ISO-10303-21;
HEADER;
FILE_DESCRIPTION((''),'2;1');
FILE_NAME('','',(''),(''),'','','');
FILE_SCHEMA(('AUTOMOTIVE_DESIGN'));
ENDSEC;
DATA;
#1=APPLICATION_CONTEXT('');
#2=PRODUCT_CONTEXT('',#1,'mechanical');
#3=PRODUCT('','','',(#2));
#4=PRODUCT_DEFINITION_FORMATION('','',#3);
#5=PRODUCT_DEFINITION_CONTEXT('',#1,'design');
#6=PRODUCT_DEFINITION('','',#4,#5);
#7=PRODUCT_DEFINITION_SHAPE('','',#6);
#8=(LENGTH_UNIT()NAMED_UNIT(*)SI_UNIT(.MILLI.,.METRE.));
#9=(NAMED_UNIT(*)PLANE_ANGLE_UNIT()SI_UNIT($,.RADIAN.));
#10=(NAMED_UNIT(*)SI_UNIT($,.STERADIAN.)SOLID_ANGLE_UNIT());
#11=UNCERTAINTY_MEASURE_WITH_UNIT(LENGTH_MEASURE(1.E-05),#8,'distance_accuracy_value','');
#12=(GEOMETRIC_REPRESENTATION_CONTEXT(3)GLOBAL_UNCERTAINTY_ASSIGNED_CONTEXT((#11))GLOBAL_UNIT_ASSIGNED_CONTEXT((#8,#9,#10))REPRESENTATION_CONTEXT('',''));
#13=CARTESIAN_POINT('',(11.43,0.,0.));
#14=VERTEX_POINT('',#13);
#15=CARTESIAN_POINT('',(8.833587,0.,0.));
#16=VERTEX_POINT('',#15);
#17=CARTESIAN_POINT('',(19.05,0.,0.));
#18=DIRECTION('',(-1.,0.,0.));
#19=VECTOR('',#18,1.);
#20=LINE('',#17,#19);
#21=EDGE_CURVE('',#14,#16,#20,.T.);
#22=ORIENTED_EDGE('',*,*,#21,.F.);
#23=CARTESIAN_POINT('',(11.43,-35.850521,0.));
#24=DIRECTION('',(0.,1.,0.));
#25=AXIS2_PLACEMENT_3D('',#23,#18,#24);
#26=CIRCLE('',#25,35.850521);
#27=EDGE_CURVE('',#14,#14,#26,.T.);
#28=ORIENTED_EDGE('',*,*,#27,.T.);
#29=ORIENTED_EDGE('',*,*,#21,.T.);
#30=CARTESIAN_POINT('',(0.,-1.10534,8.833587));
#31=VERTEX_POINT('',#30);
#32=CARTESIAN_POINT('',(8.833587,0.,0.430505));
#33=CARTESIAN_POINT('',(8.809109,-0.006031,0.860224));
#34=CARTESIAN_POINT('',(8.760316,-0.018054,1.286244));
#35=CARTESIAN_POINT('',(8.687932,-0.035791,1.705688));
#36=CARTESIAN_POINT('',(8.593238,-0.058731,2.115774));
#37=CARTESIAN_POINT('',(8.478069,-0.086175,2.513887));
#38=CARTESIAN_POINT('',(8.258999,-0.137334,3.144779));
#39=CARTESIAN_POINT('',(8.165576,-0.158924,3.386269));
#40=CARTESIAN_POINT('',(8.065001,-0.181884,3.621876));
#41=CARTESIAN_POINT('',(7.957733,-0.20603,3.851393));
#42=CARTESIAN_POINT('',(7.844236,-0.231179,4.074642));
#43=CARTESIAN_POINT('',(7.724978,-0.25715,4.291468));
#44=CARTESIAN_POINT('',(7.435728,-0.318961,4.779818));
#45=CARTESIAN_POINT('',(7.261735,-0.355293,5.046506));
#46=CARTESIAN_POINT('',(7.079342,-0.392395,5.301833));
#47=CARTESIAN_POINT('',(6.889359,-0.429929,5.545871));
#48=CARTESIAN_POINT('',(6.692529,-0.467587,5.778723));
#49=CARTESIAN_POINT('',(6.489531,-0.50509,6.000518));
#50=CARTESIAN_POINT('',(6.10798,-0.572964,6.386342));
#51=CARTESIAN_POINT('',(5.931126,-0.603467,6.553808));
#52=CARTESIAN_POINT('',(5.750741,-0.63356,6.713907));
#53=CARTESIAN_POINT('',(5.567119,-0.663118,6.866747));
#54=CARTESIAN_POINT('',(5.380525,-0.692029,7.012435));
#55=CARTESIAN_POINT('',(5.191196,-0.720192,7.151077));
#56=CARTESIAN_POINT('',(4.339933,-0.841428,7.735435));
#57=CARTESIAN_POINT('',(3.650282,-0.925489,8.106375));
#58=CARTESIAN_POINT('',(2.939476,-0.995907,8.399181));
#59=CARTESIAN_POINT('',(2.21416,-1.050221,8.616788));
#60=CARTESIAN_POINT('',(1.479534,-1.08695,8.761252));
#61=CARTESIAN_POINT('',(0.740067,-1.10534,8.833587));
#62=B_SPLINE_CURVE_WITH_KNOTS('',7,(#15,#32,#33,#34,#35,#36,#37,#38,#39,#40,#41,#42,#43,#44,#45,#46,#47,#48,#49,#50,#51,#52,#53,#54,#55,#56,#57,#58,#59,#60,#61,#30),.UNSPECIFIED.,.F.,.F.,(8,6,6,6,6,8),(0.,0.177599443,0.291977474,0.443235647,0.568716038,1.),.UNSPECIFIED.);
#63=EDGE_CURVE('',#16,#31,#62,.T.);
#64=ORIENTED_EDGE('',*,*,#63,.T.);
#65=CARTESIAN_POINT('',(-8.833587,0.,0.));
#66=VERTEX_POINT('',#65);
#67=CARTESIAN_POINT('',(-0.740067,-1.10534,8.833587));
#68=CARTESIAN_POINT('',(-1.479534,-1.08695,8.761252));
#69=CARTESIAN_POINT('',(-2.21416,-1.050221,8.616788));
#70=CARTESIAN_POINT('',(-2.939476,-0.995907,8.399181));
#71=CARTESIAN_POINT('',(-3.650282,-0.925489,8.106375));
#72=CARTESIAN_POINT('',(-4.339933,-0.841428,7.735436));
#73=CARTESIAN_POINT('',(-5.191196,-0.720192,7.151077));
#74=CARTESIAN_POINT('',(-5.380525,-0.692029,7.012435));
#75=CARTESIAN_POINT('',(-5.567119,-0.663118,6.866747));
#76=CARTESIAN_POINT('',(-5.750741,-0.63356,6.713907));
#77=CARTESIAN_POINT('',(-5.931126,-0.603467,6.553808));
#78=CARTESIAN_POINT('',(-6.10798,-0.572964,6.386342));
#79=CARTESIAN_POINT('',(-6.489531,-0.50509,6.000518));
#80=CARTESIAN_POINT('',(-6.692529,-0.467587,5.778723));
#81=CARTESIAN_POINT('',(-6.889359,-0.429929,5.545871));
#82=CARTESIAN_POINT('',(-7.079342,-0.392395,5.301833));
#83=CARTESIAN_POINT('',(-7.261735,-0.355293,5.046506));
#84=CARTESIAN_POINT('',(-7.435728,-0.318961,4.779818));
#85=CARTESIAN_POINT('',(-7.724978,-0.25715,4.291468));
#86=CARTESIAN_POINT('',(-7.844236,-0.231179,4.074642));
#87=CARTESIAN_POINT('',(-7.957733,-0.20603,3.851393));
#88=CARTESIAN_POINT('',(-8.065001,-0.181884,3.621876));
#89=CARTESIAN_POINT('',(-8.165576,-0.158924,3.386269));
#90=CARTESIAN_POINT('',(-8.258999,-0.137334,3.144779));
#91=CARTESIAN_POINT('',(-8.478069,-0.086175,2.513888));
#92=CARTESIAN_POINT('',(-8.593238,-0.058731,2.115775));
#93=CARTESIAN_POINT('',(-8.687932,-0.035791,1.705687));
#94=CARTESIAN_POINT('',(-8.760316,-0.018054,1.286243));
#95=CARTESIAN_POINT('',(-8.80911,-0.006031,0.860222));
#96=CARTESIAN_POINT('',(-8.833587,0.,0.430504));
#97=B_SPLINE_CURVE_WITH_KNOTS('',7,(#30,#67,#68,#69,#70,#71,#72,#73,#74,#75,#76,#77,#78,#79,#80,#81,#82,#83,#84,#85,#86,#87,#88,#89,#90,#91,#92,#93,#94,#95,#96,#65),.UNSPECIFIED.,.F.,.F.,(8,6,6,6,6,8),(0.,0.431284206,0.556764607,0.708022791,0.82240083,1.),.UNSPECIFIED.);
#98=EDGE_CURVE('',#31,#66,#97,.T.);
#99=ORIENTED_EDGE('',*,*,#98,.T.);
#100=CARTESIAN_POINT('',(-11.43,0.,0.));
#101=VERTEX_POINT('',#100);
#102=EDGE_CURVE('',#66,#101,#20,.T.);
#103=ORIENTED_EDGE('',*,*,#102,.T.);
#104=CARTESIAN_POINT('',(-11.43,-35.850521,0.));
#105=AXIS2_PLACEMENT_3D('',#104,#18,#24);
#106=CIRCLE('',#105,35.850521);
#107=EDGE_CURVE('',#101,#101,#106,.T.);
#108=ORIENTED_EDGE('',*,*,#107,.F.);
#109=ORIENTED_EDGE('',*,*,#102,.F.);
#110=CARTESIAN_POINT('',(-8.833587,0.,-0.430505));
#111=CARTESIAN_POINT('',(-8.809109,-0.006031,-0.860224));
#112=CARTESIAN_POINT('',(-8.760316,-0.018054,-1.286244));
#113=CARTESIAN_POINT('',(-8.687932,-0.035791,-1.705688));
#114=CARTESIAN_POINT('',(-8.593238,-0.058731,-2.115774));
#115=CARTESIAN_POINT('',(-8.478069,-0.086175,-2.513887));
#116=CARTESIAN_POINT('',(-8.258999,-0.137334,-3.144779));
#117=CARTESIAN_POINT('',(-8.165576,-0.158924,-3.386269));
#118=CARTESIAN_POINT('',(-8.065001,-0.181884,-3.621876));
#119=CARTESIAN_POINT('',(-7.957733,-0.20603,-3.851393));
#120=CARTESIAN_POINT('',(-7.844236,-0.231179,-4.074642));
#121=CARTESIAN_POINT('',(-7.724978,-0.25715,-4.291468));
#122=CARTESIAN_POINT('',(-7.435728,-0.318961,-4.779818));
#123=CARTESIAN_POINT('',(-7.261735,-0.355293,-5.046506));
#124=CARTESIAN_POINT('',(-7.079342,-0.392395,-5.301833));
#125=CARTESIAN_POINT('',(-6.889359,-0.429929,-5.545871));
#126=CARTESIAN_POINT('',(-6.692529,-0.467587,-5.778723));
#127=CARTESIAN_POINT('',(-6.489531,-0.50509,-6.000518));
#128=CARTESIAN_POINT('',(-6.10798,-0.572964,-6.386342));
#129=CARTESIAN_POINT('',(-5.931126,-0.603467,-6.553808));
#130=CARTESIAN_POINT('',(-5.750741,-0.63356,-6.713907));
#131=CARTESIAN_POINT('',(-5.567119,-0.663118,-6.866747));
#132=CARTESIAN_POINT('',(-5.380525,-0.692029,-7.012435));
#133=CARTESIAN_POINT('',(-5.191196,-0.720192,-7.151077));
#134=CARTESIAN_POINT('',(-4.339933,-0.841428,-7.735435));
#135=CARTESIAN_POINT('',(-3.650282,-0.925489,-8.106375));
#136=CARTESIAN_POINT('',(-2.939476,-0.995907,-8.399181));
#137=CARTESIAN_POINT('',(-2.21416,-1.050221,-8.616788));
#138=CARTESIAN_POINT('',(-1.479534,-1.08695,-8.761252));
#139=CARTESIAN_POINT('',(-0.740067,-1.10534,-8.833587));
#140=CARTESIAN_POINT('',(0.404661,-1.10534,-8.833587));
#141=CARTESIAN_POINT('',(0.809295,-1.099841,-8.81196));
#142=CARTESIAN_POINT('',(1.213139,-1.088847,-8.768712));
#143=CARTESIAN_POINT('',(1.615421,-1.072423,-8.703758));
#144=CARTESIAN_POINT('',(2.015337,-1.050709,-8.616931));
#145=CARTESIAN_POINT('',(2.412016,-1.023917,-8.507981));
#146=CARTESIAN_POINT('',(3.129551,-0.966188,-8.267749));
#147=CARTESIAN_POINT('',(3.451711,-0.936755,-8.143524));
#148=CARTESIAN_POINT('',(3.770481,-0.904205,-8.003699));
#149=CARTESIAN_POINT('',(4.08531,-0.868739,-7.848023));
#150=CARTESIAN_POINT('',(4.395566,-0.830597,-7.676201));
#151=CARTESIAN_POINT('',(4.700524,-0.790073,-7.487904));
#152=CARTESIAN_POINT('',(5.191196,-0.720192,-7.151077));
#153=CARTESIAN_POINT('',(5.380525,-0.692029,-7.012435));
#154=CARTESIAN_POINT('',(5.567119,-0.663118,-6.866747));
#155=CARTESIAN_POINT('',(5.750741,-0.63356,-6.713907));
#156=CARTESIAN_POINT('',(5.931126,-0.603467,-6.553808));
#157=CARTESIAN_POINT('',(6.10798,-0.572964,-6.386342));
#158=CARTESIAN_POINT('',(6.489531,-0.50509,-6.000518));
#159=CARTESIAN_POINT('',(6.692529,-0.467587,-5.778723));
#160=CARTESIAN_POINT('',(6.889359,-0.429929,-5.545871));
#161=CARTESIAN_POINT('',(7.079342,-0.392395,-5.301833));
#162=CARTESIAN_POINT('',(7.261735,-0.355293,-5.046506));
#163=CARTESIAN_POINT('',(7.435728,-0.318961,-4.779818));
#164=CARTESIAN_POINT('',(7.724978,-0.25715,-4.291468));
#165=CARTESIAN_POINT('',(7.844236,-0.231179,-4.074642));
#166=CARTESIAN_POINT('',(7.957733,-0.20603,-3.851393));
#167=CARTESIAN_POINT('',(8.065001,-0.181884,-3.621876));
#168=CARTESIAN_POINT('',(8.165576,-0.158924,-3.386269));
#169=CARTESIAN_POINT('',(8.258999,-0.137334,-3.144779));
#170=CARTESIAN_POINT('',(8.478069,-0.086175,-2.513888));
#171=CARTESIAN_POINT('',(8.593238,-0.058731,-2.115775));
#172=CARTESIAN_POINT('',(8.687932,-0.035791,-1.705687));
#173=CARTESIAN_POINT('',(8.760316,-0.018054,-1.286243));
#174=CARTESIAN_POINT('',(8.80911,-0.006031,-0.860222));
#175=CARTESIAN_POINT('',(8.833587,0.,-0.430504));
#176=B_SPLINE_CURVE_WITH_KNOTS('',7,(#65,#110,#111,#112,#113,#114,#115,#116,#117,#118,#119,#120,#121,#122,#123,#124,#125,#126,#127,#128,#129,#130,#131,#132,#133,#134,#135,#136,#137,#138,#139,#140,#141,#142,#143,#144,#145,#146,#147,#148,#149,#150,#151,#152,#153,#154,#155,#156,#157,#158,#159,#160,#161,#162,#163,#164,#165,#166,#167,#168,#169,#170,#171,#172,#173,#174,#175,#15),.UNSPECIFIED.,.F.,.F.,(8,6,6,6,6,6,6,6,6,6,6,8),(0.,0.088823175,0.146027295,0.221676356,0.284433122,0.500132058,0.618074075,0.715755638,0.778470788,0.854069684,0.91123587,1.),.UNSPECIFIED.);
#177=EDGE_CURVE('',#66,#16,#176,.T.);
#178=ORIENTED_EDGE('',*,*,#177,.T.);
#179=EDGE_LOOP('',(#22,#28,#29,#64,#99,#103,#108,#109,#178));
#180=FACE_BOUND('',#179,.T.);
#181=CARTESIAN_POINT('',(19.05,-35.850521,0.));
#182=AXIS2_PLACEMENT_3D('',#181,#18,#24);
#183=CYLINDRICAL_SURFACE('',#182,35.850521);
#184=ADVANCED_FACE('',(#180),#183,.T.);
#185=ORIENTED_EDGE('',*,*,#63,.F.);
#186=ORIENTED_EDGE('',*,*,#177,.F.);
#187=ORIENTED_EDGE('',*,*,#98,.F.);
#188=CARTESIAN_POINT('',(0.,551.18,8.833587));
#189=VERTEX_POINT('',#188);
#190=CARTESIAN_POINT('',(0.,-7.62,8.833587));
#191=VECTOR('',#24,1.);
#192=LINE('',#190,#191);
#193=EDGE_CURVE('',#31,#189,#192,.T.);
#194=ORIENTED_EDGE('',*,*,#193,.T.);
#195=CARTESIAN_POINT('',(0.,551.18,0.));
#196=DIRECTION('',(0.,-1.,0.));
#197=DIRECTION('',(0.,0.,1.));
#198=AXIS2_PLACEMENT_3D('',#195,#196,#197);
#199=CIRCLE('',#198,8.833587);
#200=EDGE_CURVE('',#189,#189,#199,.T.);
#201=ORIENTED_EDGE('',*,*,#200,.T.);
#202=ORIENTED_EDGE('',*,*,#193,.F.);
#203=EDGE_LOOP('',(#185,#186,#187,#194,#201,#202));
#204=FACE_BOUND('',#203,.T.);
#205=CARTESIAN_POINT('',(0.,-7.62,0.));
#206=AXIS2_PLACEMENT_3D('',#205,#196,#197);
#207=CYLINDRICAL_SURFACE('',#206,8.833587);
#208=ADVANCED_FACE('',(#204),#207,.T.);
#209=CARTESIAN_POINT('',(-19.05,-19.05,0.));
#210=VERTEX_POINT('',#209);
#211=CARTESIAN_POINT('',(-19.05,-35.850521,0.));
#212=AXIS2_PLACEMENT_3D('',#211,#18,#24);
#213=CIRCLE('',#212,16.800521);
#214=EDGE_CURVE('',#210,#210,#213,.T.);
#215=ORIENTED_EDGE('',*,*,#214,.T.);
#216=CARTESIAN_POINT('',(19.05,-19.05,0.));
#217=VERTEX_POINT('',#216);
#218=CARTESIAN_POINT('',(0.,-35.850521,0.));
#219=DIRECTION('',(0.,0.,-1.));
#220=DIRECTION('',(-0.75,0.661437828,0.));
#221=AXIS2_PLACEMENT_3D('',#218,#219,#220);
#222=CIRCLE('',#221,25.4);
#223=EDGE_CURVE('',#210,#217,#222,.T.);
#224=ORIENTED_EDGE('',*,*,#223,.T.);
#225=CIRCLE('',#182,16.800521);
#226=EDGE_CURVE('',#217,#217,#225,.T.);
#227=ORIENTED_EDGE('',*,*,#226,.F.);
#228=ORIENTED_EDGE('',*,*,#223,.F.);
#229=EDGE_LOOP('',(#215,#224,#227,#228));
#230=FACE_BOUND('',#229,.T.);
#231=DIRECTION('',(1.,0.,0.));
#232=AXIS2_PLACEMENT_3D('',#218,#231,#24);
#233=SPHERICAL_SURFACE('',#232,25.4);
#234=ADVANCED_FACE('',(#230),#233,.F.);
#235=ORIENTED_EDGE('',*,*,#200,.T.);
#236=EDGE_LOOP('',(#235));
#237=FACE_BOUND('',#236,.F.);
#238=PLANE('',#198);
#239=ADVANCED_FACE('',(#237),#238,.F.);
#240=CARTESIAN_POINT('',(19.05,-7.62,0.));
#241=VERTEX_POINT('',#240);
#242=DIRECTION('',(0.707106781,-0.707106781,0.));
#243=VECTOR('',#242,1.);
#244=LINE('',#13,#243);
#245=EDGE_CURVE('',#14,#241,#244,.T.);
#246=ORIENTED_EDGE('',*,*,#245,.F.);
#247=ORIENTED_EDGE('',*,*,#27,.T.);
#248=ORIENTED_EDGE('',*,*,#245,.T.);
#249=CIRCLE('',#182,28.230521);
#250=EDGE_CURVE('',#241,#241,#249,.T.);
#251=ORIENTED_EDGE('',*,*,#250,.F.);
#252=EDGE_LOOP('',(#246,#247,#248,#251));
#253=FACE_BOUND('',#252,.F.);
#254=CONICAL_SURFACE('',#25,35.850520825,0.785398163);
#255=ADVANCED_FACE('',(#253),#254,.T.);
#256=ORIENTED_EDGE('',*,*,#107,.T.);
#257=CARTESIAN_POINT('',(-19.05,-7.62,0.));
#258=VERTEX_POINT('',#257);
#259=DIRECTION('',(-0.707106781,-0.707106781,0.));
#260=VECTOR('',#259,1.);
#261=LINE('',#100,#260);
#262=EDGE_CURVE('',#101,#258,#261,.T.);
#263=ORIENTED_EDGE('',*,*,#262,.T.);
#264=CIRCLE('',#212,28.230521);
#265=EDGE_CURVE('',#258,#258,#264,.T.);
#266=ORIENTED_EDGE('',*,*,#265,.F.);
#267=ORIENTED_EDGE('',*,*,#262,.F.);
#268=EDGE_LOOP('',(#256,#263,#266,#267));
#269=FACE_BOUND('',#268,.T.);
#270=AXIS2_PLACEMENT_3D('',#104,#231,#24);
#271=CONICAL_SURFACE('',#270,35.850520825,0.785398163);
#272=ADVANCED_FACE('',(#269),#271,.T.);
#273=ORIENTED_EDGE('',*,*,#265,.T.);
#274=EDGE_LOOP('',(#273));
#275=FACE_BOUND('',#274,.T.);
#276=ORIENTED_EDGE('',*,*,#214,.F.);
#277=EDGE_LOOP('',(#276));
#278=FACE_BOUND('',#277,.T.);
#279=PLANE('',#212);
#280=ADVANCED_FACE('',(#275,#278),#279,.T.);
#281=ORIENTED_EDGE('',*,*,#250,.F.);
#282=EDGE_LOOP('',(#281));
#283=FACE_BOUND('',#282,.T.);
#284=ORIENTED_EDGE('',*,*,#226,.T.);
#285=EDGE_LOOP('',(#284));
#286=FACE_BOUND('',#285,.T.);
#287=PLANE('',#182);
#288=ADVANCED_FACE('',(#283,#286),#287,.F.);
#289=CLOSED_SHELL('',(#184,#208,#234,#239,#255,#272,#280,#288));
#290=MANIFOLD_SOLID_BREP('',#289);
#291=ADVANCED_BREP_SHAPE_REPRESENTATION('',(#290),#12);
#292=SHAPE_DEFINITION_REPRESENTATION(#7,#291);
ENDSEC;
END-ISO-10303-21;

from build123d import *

# Parameters (mm, degrees)
F3_R     = 8.8335869627
F4_DEPTH = 558.8
F5_SIZE  = 7.62
F6_ANGLE = 90


with BuildPart() as f1:
    # F0 (on Right) → F1 (revolve)
    with BuildSketch(Plane.YZ):
        with BuildLine():
            Line((0, -19.05), (0, 0))
            Line((0, 0), (0, 19.05))
            Line((0, 19.05), (-19.05, 19.05))
            ThreePointArc((-19.05, 19.05), (-10.4505208253, 0), (-19.05, -19.05))
            Line((-19.05, -19.05), (0, -19.05))
        make_face()
    revolve(axis=Axis((0, -35.8505208253, 12.1182259172), (0, 0, 1)))

    # F3 (on offset) → F4 (join)
    with BuildSketch(Plane.XZ.offset(7.62)):
        Circle(F3_R)
    extrude(amount=-F4_DEPTH)

    # F5
    f5_edges = [f1.edges().sort_by_distance(p)[0] for p in [
        (0, -71.701042, 19.05),
        (0, -71.701042, -19.05),
    ]]
    chamfer(f5_edges, length=F5_SIZE)


with BuildPart() as f1_1:
    # F6: moved
    add(f1.part.rotate(Axis((0, -7.62, 0), (0, -1, 0)), F6_ANGLE))


solid = f1_1.part
